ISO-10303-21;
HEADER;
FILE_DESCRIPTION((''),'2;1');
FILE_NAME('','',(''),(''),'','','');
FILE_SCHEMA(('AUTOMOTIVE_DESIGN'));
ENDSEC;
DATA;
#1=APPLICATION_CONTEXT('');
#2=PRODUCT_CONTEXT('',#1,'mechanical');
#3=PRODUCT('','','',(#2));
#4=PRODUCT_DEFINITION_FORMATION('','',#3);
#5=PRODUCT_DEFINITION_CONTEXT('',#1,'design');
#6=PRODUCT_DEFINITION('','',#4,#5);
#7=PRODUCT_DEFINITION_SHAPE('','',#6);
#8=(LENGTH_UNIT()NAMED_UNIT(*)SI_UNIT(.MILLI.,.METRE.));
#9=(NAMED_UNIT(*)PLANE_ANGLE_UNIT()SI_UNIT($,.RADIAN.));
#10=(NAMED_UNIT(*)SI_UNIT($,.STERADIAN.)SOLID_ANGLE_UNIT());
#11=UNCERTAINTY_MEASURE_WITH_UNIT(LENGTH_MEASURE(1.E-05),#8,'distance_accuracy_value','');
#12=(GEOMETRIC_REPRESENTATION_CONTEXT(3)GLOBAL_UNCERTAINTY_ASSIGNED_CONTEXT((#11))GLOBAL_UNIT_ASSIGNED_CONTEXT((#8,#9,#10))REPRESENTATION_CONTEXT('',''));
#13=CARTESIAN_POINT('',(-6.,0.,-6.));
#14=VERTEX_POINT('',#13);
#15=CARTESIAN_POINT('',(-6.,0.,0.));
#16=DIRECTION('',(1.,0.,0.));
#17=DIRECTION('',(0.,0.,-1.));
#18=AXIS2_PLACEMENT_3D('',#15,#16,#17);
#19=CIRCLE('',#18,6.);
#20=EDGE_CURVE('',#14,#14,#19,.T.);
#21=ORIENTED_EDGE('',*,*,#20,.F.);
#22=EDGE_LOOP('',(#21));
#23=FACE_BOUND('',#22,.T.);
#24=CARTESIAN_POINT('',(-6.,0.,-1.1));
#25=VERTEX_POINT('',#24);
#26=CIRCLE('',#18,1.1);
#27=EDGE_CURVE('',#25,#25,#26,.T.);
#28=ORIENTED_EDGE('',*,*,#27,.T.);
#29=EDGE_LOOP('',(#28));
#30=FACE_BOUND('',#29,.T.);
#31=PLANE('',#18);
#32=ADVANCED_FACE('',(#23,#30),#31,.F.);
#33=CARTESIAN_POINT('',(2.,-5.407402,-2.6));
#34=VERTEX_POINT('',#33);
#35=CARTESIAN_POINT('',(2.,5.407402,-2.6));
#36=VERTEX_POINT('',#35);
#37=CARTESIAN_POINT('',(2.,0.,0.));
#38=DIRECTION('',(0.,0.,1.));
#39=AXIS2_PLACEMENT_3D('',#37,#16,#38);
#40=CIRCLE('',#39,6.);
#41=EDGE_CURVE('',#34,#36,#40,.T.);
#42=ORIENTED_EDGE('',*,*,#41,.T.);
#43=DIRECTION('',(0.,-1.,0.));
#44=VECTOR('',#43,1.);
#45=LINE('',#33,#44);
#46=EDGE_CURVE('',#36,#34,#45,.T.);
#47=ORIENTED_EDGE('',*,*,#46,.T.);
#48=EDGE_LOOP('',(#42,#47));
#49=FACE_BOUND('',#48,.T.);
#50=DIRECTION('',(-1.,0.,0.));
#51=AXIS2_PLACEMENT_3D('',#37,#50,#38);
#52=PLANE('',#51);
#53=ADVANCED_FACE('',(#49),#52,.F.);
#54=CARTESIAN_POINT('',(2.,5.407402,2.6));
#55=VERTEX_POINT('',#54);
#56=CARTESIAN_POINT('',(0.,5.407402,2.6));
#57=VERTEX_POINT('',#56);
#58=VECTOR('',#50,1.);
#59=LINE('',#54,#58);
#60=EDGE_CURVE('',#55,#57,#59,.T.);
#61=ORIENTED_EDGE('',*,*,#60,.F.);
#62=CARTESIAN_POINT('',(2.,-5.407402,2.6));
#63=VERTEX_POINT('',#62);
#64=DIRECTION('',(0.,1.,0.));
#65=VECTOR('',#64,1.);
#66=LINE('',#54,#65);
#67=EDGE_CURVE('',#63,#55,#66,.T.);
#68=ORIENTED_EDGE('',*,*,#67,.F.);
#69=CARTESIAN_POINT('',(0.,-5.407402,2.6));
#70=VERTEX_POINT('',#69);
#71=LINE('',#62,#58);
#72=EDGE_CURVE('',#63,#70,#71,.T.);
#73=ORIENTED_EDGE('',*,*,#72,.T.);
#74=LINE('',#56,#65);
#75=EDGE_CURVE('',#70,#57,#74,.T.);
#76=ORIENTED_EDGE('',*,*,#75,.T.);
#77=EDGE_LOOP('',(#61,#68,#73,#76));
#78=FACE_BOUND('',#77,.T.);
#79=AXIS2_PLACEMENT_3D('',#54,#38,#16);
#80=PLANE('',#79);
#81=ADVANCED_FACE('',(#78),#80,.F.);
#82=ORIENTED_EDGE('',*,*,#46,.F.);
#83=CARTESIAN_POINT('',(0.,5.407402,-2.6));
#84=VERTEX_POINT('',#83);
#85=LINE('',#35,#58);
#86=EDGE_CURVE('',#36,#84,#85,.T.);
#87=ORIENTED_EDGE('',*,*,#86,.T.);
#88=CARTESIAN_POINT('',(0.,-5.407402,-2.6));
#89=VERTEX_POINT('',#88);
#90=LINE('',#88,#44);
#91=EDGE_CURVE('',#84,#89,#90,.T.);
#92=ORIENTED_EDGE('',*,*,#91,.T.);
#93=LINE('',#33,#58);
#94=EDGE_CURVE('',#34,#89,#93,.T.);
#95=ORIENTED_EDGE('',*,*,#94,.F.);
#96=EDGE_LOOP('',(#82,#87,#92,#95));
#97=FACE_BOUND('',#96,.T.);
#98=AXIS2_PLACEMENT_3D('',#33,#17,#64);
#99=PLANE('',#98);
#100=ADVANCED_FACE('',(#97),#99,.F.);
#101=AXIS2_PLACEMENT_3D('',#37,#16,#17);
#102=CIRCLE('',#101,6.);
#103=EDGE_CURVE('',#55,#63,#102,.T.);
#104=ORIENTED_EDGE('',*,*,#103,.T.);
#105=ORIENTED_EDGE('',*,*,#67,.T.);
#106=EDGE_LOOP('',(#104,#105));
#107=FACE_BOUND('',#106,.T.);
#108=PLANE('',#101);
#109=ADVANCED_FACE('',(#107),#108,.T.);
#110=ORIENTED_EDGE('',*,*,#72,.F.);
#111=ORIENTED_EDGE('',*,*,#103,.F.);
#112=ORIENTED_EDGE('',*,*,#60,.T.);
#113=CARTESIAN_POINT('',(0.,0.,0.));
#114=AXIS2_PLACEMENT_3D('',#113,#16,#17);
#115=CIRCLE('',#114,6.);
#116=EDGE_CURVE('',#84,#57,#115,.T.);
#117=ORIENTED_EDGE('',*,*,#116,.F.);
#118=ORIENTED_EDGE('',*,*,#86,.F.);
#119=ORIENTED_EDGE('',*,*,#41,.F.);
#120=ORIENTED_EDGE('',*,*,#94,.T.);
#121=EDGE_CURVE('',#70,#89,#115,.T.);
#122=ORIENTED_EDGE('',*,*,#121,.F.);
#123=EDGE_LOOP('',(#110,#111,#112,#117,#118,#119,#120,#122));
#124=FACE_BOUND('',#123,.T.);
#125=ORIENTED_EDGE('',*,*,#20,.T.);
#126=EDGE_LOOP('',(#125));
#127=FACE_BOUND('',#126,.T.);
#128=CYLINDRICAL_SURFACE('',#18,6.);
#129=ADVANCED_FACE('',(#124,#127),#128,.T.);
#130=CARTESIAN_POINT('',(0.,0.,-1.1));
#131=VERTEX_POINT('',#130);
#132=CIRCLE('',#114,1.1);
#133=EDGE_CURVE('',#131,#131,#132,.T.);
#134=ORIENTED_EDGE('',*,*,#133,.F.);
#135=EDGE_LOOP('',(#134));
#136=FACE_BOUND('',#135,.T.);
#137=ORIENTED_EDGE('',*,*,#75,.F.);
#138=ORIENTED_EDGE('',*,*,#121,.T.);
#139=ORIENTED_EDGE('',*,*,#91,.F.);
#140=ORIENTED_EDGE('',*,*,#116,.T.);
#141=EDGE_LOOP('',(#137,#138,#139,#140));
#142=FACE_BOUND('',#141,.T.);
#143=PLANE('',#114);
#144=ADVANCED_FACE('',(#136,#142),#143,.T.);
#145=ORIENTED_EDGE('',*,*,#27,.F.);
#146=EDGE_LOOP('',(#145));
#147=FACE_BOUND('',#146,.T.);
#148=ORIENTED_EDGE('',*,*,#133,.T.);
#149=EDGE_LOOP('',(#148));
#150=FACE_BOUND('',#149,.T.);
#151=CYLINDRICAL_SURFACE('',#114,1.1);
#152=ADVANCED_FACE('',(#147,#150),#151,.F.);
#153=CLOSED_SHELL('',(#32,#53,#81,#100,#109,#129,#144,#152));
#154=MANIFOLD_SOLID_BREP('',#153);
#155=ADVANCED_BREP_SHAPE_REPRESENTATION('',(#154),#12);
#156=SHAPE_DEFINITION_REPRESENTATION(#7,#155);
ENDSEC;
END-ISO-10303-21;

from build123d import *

# Parameters (mm, degrees)
SKETCH1_R                = 6
BOSS_EXTRUDE1_DEPTH      = 6
BOSS_EXTRUDE2_DEPTH      = 2
M2_CLEARANCE_HOLE1_D     = 2.2
M2_CLEARANCE_HOLE1_DEPTH = 6


with BuildPart() as part:
    # Sketch1 → Boss-Extrude1 (new body)
    with BuildSketch(Plane(origin=(0, 0, 0), x_dir=(0, 0, -1), z_dir=(1, 0, 0))):
        Circle(SKETCH1_R)
    extrude(amount=-BOSS_EXTRUDE1_DEPTH)

    # Sketch2 → Boss-Extrude2 (add)
    with BuildSketch(Plane(origin=(0, 0, 0), x_dir=(0, 0, -1), z_dir=(1, 0, 0))):
        with BuildLine():
            Line((-2.6, 5.407402334), (-2.6, -5.407402334))
            ThreePointArc((-2.6, -5.407402334), (-6, 0), (-2.6, 5.407402334))
        make_face()
        with BuildLine():
            Line((2.6, -5.407402334), (2.6, 5.407402334))
            ThreePointArc((2.6, 5.407402334), (6, 0), (2.6, -5.407402334))
        make_face()
    extrude(amount=BOSS_EXTRUDE2_DEPTH)

    # M2 Clearance Hole1
    with Locations(Plane(origin=(0, 0, 0), x_dir=(0, 0, -1), z_dir=(1, 0, 0))):
        with Locations((0, 0)):
            Hole(M2_CLEARANCE_HOLE1_D / 2, depth=M2_CLEARANCE_HOLE1_DEPTH)


solid = part.part
